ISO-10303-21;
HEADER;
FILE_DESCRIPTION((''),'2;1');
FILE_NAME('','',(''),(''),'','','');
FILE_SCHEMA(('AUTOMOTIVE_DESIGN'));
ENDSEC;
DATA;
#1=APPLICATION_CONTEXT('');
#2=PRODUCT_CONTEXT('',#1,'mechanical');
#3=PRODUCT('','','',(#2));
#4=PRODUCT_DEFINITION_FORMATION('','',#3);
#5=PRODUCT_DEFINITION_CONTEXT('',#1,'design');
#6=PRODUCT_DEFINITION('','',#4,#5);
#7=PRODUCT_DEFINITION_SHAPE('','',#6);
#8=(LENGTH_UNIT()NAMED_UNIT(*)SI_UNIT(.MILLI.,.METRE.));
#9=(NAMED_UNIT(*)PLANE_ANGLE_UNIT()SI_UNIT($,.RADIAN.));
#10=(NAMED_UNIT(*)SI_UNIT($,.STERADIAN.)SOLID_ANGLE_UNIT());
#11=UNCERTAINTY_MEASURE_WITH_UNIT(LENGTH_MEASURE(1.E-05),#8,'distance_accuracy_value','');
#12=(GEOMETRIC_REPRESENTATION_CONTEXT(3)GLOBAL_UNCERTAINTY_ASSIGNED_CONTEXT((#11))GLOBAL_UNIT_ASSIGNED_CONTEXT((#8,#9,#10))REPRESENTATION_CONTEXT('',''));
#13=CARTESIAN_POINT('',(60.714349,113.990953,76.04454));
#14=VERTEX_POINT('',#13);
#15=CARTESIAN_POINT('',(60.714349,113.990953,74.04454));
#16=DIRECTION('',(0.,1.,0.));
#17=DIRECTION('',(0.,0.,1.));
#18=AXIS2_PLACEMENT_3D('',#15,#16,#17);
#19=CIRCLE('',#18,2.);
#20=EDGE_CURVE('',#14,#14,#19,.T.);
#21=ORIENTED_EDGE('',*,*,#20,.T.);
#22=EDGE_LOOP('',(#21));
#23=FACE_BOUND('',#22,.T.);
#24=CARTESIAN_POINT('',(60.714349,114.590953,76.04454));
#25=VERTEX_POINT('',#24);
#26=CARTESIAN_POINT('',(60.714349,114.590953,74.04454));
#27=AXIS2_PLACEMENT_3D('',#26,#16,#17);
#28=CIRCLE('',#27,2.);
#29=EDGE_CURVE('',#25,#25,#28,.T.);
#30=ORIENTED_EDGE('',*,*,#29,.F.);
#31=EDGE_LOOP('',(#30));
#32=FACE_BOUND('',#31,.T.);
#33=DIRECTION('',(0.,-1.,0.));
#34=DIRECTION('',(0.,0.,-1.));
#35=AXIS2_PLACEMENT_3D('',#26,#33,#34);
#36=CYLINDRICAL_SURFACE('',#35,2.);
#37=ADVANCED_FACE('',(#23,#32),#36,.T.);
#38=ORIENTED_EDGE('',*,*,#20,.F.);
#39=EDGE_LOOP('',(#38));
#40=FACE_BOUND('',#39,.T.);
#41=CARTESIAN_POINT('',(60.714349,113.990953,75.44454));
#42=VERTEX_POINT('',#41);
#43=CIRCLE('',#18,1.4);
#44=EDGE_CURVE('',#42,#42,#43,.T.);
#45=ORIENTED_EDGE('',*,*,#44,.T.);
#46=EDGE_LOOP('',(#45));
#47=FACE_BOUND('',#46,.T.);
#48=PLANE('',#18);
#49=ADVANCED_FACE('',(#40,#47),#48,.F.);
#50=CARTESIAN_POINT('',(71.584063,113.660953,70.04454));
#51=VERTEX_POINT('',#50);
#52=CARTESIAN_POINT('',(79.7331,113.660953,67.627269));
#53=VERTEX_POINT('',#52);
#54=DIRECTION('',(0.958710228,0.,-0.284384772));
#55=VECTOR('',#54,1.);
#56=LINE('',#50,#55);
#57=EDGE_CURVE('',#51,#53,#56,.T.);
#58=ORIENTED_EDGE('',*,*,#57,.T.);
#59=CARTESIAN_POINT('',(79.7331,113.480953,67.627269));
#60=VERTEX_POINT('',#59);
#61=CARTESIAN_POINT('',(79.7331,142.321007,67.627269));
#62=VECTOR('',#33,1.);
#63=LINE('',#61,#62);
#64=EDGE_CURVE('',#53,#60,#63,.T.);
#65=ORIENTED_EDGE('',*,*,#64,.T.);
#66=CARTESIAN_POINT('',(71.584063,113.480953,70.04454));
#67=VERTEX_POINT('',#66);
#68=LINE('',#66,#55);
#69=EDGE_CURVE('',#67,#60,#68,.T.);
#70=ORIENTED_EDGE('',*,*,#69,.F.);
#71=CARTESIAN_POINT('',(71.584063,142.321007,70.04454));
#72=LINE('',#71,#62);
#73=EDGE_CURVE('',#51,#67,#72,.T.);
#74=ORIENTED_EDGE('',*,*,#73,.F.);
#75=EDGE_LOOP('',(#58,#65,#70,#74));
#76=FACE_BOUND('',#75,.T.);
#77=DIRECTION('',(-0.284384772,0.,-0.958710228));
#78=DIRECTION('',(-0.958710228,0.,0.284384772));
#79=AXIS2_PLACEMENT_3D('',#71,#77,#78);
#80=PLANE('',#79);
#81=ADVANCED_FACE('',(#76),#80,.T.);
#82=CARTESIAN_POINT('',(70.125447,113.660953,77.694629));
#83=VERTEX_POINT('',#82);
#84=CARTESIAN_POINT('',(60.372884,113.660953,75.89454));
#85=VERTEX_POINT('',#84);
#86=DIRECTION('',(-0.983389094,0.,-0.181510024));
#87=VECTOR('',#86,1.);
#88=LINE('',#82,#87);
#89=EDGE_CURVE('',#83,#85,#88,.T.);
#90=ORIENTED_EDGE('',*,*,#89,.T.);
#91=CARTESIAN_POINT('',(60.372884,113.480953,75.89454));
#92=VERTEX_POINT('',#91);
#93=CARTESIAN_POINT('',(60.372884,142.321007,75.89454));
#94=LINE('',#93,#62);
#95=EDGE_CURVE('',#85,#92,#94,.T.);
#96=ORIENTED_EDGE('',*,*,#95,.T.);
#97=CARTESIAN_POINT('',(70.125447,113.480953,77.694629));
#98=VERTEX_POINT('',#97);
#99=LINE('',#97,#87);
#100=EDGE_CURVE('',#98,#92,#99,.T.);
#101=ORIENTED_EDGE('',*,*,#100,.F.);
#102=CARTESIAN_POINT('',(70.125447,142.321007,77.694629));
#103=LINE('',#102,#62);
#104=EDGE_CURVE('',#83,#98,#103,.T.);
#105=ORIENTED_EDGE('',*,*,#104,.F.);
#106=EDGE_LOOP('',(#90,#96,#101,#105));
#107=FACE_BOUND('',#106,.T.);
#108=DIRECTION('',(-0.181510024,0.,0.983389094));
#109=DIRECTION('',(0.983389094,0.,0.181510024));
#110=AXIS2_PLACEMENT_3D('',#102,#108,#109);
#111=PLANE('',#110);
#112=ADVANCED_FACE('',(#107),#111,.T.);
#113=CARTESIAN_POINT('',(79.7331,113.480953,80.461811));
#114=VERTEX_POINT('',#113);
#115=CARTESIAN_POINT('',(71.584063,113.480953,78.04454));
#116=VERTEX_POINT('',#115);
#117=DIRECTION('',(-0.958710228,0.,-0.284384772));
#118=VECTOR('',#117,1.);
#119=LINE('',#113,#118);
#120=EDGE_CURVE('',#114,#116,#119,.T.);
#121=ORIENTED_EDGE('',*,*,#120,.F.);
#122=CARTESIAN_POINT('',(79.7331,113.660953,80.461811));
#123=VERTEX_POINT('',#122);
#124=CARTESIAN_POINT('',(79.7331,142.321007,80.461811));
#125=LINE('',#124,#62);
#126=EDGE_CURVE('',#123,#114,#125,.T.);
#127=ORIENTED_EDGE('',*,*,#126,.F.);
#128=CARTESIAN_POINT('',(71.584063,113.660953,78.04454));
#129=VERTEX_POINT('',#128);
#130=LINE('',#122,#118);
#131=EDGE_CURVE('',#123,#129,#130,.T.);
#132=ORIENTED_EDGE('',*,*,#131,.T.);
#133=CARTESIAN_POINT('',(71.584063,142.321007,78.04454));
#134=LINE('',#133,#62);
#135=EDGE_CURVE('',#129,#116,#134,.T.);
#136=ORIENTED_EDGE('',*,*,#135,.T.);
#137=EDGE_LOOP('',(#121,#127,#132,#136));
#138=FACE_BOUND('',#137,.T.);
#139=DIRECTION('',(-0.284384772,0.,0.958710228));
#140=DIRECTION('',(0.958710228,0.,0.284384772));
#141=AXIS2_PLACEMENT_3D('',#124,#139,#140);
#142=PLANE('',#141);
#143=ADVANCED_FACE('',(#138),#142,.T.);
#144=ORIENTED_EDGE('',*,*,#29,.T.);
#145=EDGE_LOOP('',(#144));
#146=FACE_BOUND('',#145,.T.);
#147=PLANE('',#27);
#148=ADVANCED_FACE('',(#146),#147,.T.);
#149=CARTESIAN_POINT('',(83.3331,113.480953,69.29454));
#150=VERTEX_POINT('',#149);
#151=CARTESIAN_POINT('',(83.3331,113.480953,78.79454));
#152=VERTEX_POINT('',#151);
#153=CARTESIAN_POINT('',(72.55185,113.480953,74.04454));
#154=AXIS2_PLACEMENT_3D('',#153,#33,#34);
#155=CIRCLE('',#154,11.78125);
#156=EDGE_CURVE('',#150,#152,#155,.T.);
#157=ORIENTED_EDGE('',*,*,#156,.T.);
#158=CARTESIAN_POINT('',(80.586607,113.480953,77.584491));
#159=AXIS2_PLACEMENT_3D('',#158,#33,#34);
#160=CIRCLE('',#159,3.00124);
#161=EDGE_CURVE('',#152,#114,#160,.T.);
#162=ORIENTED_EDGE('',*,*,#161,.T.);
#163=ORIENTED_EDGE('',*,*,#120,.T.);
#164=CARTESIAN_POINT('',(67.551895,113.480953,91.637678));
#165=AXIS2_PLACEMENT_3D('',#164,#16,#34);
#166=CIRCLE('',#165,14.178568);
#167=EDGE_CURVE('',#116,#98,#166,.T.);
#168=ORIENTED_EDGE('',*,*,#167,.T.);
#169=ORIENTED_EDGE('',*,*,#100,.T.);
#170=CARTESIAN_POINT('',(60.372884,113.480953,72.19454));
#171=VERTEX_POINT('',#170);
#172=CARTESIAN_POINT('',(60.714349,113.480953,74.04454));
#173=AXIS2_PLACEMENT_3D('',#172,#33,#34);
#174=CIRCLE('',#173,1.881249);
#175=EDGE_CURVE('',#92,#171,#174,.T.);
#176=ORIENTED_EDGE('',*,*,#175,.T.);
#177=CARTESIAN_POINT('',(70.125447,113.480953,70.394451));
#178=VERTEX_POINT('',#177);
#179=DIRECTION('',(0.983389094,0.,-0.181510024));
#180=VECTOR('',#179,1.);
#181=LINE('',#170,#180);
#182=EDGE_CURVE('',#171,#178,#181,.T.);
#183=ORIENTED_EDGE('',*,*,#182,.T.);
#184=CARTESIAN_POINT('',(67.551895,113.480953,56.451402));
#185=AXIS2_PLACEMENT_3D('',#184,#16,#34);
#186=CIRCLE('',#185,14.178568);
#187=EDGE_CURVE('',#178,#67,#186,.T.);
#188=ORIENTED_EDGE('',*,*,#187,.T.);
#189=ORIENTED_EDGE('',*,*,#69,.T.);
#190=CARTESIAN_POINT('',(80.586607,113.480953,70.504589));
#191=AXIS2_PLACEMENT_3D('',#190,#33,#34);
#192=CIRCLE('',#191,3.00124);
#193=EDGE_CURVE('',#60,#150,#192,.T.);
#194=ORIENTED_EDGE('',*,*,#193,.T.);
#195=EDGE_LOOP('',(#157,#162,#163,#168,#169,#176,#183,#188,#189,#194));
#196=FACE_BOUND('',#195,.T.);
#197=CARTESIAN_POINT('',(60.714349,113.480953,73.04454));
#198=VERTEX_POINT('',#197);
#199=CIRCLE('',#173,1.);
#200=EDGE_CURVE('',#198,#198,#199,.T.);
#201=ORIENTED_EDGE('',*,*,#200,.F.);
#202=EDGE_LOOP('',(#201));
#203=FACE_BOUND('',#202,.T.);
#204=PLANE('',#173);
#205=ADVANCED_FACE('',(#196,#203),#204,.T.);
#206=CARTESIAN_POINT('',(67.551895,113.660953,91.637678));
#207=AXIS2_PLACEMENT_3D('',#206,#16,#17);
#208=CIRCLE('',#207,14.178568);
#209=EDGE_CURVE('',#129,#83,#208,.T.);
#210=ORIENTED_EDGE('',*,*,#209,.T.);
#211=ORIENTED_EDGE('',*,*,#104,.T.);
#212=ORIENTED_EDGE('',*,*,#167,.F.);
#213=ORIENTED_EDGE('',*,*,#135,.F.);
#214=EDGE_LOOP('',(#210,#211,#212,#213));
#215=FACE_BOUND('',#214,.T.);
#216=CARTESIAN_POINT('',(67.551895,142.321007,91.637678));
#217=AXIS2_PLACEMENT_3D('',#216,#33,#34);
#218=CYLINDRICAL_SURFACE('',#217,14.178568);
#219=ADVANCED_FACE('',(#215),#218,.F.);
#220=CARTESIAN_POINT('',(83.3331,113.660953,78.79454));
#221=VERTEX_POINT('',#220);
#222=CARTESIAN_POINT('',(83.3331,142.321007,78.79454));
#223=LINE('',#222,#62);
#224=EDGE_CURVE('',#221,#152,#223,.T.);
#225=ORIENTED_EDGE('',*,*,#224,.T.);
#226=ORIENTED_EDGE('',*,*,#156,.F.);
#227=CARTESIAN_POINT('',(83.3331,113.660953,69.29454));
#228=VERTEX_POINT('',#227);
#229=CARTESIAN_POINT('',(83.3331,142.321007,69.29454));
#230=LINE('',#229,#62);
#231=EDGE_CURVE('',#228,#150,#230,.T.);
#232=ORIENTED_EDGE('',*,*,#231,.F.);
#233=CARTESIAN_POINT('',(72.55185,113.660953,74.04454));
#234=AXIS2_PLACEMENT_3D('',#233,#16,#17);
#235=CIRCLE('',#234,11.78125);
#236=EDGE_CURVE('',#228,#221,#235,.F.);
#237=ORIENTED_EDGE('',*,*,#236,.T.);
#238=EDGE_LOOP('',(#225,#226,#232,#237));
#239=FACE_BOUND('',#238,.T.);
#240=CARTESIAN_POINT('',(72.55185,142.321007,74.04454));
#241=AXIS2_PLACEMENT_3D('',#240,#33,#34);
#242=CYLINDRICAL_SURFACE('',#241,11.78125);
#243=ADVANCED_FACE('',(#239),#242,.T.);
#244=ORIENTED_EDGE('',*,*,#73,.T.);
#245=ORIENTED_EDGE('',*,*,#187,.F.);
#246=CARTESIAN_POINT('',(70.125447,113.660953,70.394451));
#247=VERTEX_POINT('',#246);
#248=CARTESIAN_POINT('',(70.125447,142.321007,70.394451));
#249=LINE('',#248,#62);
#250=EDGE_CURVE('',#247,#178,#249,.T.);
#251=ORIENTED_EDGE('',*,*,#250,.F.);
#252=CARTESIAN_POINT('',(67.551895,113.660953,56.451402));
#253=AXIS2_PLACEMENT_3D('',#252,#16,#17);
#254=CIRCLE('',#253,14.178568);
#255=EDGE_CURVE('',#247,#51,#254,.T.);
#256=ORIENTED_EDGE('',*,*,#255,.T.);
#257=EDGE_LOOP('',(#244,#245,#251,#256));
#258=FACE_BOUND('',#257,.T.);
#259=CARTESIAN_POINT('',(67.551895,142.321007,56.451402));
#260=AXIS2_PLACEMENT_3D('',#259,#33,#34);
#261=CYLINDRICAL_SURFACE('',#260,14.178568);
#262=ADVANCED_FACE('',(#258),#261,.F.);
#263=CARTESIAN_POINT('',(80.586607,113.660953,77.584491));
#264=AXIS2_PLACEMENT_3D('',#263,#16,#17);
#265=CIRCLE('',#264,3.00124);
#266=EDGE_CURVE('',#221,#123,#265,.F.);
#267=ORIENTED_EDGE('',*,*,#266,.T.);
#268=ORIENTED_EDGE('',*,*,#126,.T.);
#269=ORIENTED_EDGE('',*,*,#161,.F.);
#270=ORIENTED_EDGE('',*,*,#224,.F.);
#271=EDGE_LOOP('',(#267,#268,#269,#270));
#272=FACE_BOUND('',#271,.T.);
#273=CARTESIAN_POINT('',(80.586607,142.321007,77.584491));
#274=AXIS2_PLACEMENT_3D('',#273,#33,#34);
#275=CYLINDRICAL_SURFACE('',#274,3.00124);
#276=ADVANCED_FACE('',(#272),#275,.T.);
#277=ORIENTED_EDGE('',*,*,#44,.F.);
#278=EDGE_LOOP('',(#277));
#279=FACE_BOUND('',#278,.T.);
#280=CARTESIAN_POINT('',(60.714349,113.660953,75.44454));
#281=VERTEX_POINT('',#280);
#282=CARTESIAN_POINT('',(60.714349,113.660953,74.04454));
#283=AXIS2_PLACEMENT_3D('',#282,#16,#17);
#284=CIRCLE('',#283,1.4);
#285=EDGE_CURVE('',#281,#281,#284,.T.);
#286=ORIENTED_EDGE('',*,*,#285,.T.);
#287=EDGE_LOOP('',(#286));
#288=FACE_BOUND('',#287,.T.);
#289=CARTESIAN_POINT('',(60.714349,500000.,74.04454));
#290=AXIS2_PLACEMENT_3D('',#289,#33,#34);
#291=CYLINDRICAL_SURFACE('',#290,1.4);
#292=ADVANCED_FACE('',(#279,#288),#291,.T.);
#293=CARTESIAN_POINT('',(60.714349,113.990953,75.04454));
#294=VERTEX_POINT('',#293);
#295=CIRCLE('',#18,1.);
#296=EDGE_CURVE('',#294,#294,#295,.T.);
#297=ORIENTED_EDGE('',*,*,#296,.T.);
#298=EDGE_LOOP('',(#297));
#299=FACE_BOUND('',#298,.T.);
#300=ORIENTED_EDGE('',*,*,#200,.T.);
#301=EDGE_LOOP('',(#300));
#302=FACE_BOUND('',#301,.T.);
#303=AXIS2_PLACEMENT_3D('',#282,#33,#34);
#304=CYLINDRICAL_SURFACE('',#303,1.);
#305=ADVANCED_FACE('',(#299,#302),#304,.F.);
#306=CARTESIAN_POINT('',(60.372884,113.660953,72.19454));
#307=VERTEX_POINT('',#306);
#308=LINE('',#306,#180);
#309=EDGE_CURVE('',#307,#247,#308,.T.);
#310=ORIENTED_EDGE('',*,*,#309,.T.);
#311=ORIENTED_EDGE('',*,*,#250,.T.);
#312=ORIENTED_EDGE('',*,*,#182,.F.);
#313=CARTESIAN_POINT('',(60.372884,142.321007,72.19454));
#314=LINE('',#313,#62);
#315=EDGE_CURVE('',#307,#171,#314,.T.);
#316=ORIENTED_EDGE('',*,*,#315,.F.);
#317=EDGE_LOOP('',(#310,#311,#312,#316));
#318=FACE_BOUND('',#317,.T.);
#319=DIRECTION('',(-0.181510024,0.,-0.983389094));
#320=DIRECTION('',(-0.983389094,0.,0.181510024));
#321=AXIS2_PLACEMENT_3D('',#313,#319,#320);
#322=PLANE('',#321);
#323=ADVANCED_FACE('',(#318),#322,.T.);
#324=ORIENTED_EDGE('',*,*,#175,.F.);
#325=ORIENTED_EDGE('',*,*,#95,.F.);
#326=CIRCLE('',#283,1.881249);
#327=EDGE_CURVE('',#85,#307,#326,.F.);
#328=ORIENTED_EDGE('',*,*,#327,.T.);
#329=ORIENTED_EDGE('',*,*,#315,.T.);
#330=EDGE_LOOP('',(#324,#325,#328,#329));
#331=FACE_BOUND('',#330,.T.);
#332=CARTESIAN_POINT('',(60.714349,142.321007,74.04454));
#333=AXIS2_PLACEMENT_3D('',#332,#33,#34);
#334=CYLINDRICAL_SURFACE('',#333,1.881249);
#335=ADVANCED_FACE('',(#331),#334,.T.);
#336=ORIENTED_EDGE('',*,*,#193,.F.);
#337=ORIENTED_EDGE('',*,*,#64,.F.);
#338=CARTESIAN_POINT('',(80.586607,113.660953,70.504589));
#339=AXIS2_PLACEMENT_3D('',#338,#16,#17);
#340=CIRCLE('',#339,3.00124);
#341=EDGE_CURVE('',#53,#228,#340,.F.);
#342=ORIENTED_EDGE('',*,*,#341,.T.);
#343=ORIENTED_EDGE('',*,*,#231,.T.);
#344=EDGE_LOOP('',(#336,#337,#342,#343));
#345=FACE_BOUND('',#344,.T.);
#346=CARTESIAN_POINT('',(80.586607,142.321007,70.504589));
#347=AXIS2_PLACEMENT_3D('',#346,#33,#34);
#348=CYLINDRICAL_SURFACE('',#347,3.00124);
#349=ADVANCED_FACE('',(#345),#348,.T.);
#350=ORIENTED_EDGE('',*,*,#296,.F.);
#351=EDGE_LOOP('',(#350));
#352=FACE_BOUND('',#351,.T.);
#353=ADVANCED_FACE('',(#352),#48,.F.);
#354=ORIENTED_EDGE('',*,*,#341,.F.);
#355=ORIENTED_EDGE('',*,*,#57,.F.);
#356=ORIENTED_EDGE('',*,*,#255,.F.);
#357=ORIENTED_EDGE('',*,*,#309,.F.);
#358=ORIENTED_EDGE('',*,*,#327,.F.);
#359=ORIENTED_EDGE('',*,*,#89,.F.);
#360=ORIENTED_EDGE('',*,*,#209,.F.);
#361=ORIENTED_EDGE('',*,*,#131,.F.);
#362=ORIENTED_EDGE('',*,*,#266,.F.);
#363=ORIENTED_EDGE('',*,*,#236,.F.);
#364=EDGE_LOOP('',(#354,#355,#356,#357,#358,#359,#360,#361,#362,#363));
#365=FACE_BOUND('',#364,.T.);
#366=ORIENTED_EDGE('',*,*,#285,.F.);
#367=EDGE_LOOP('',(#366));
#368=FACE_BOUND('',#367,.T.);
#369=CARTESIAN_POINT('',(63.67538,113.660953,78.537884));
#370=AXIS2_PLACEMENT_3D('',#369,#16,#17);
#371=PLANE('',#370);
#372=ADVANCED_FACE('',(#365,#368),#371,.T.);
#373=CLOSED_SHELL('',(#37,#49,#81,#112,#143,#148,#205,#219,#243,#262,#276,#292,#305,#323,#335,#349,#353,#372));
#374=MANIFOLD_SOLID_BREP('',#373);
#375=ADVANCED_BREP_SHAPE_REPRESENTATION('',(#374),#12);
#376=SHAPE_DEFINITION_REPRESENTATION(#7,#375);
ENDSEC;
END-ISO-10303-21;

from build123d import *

# Parameters (mm, degrees)
BOSS_EXTRUDE2_DEPTH = 0.18
SKETCH4_R           = 1
CUT_EXTRUDE1_DEPTH  = 1.18
SKETCH7_R           = 2
BOSS_EXTRUDE3_DEPTH = 0.6
SKETCH8_R           = 1.4
SKETCH8_R_2         = 1
BOSS_EXTRUDE4_DEPTH = 0.93


with BuildPart() as part:
    # Sketch2 → Boss-Extrude2 (new body)
    with BuildSketch(Plane.XZ.offset(-113.480952772)):
        with BuildLine():
            Line((60.372883835, 72.194540047), (70.125446667, 70.394451024))
            ThreePointArc((70.125446667, 70.394451024), (70.859385482, 70.238798062), (71.58406324, 70.044540047))
            Line((71.58406324, 70.044540047), (79.733100179, 67.627269484))
            ThreePointArc((79.733100179, 67.627269484), (81.847875106, 67.781237193), (83.333100179, 69.294540047))
            ThreePointArc((83.333100179, 69.294540047), (84.080389833, 71.617479067), (84.333100179, 74.044540047))
            ThreePointArc((84.333100179, 74.044540047), (84.080389833, 76.471601027), (83.333100179, 78.794540047))
            ThreePointArc((83.333100179, 78.794540047), (81.847875106, 80.307842901), (79.733100179, 80.46181061))
            Line((79.733100179, 80.46181061), (71.58406324, 78.044540047))
            ThreePointArc((71.58406324, 78.044540047), (70.859385482, 77.850282031), (70.125446667, 77.69462907))
            Line((70.125446667, 77.69462907), (60.372883835, 75.894540047))
            ThreePointArc((60.372883835, 75.894540047), (58.833100179, 74.044540047), (60.372883835, 72.194540047))
        make_face()
    extrude(amount=-BOSS_EXTRUDE2_DEPTH)

    # Sketch4 → Cut-Extrude1 (cut, through all)
    with BuildSketch(Plane.XZ.offset(-113.480952772)):
        with Locations((60.714349432, 74.044540047)):
            Circle(SKETCH4_R)
    extrude(amount=-CUT_EXTRUDE1_DEPTH, mode=Mode.SUBTRACT)



with BuildPart() as body_2:
    # Sketch7 → Boss-Extrude3 (new body)
    with BuildSketch(Plane(origin=(0, 113.990952772, 0), x_dir=(1, 0, 0), z_dir=(0, 1, 0))):
        with Locations((60.714349432, -74.044540047)):
            Circle(SKETCH7_R)
    extrude(amount=BOSS_EXTRUDE3_DEPTH)


with BuildPart() as part_1:
    add(part.part)

    add(body_2.part)  # Boss-Extrude4 merges body 2
    # Sketch8 → Boss-Extrude4 (add)
    with BuildSketch(Plane(origin=(0, 113.660952772, 0), x_dir=(1, 0, 0), z_dir=(0, 1, 0))):
        with Locations((60.714349432, -74.044540047)):
            Circle(SKETCH8_R)
        with Locations((60.714349432, -74.044540047)):
            Circle(SKETCH8_R_2, mode=Mode.SUBTRACT)
    extrude(amount=BOSS_EXTRUDE4_DEPTH)


solid = part_1.part
